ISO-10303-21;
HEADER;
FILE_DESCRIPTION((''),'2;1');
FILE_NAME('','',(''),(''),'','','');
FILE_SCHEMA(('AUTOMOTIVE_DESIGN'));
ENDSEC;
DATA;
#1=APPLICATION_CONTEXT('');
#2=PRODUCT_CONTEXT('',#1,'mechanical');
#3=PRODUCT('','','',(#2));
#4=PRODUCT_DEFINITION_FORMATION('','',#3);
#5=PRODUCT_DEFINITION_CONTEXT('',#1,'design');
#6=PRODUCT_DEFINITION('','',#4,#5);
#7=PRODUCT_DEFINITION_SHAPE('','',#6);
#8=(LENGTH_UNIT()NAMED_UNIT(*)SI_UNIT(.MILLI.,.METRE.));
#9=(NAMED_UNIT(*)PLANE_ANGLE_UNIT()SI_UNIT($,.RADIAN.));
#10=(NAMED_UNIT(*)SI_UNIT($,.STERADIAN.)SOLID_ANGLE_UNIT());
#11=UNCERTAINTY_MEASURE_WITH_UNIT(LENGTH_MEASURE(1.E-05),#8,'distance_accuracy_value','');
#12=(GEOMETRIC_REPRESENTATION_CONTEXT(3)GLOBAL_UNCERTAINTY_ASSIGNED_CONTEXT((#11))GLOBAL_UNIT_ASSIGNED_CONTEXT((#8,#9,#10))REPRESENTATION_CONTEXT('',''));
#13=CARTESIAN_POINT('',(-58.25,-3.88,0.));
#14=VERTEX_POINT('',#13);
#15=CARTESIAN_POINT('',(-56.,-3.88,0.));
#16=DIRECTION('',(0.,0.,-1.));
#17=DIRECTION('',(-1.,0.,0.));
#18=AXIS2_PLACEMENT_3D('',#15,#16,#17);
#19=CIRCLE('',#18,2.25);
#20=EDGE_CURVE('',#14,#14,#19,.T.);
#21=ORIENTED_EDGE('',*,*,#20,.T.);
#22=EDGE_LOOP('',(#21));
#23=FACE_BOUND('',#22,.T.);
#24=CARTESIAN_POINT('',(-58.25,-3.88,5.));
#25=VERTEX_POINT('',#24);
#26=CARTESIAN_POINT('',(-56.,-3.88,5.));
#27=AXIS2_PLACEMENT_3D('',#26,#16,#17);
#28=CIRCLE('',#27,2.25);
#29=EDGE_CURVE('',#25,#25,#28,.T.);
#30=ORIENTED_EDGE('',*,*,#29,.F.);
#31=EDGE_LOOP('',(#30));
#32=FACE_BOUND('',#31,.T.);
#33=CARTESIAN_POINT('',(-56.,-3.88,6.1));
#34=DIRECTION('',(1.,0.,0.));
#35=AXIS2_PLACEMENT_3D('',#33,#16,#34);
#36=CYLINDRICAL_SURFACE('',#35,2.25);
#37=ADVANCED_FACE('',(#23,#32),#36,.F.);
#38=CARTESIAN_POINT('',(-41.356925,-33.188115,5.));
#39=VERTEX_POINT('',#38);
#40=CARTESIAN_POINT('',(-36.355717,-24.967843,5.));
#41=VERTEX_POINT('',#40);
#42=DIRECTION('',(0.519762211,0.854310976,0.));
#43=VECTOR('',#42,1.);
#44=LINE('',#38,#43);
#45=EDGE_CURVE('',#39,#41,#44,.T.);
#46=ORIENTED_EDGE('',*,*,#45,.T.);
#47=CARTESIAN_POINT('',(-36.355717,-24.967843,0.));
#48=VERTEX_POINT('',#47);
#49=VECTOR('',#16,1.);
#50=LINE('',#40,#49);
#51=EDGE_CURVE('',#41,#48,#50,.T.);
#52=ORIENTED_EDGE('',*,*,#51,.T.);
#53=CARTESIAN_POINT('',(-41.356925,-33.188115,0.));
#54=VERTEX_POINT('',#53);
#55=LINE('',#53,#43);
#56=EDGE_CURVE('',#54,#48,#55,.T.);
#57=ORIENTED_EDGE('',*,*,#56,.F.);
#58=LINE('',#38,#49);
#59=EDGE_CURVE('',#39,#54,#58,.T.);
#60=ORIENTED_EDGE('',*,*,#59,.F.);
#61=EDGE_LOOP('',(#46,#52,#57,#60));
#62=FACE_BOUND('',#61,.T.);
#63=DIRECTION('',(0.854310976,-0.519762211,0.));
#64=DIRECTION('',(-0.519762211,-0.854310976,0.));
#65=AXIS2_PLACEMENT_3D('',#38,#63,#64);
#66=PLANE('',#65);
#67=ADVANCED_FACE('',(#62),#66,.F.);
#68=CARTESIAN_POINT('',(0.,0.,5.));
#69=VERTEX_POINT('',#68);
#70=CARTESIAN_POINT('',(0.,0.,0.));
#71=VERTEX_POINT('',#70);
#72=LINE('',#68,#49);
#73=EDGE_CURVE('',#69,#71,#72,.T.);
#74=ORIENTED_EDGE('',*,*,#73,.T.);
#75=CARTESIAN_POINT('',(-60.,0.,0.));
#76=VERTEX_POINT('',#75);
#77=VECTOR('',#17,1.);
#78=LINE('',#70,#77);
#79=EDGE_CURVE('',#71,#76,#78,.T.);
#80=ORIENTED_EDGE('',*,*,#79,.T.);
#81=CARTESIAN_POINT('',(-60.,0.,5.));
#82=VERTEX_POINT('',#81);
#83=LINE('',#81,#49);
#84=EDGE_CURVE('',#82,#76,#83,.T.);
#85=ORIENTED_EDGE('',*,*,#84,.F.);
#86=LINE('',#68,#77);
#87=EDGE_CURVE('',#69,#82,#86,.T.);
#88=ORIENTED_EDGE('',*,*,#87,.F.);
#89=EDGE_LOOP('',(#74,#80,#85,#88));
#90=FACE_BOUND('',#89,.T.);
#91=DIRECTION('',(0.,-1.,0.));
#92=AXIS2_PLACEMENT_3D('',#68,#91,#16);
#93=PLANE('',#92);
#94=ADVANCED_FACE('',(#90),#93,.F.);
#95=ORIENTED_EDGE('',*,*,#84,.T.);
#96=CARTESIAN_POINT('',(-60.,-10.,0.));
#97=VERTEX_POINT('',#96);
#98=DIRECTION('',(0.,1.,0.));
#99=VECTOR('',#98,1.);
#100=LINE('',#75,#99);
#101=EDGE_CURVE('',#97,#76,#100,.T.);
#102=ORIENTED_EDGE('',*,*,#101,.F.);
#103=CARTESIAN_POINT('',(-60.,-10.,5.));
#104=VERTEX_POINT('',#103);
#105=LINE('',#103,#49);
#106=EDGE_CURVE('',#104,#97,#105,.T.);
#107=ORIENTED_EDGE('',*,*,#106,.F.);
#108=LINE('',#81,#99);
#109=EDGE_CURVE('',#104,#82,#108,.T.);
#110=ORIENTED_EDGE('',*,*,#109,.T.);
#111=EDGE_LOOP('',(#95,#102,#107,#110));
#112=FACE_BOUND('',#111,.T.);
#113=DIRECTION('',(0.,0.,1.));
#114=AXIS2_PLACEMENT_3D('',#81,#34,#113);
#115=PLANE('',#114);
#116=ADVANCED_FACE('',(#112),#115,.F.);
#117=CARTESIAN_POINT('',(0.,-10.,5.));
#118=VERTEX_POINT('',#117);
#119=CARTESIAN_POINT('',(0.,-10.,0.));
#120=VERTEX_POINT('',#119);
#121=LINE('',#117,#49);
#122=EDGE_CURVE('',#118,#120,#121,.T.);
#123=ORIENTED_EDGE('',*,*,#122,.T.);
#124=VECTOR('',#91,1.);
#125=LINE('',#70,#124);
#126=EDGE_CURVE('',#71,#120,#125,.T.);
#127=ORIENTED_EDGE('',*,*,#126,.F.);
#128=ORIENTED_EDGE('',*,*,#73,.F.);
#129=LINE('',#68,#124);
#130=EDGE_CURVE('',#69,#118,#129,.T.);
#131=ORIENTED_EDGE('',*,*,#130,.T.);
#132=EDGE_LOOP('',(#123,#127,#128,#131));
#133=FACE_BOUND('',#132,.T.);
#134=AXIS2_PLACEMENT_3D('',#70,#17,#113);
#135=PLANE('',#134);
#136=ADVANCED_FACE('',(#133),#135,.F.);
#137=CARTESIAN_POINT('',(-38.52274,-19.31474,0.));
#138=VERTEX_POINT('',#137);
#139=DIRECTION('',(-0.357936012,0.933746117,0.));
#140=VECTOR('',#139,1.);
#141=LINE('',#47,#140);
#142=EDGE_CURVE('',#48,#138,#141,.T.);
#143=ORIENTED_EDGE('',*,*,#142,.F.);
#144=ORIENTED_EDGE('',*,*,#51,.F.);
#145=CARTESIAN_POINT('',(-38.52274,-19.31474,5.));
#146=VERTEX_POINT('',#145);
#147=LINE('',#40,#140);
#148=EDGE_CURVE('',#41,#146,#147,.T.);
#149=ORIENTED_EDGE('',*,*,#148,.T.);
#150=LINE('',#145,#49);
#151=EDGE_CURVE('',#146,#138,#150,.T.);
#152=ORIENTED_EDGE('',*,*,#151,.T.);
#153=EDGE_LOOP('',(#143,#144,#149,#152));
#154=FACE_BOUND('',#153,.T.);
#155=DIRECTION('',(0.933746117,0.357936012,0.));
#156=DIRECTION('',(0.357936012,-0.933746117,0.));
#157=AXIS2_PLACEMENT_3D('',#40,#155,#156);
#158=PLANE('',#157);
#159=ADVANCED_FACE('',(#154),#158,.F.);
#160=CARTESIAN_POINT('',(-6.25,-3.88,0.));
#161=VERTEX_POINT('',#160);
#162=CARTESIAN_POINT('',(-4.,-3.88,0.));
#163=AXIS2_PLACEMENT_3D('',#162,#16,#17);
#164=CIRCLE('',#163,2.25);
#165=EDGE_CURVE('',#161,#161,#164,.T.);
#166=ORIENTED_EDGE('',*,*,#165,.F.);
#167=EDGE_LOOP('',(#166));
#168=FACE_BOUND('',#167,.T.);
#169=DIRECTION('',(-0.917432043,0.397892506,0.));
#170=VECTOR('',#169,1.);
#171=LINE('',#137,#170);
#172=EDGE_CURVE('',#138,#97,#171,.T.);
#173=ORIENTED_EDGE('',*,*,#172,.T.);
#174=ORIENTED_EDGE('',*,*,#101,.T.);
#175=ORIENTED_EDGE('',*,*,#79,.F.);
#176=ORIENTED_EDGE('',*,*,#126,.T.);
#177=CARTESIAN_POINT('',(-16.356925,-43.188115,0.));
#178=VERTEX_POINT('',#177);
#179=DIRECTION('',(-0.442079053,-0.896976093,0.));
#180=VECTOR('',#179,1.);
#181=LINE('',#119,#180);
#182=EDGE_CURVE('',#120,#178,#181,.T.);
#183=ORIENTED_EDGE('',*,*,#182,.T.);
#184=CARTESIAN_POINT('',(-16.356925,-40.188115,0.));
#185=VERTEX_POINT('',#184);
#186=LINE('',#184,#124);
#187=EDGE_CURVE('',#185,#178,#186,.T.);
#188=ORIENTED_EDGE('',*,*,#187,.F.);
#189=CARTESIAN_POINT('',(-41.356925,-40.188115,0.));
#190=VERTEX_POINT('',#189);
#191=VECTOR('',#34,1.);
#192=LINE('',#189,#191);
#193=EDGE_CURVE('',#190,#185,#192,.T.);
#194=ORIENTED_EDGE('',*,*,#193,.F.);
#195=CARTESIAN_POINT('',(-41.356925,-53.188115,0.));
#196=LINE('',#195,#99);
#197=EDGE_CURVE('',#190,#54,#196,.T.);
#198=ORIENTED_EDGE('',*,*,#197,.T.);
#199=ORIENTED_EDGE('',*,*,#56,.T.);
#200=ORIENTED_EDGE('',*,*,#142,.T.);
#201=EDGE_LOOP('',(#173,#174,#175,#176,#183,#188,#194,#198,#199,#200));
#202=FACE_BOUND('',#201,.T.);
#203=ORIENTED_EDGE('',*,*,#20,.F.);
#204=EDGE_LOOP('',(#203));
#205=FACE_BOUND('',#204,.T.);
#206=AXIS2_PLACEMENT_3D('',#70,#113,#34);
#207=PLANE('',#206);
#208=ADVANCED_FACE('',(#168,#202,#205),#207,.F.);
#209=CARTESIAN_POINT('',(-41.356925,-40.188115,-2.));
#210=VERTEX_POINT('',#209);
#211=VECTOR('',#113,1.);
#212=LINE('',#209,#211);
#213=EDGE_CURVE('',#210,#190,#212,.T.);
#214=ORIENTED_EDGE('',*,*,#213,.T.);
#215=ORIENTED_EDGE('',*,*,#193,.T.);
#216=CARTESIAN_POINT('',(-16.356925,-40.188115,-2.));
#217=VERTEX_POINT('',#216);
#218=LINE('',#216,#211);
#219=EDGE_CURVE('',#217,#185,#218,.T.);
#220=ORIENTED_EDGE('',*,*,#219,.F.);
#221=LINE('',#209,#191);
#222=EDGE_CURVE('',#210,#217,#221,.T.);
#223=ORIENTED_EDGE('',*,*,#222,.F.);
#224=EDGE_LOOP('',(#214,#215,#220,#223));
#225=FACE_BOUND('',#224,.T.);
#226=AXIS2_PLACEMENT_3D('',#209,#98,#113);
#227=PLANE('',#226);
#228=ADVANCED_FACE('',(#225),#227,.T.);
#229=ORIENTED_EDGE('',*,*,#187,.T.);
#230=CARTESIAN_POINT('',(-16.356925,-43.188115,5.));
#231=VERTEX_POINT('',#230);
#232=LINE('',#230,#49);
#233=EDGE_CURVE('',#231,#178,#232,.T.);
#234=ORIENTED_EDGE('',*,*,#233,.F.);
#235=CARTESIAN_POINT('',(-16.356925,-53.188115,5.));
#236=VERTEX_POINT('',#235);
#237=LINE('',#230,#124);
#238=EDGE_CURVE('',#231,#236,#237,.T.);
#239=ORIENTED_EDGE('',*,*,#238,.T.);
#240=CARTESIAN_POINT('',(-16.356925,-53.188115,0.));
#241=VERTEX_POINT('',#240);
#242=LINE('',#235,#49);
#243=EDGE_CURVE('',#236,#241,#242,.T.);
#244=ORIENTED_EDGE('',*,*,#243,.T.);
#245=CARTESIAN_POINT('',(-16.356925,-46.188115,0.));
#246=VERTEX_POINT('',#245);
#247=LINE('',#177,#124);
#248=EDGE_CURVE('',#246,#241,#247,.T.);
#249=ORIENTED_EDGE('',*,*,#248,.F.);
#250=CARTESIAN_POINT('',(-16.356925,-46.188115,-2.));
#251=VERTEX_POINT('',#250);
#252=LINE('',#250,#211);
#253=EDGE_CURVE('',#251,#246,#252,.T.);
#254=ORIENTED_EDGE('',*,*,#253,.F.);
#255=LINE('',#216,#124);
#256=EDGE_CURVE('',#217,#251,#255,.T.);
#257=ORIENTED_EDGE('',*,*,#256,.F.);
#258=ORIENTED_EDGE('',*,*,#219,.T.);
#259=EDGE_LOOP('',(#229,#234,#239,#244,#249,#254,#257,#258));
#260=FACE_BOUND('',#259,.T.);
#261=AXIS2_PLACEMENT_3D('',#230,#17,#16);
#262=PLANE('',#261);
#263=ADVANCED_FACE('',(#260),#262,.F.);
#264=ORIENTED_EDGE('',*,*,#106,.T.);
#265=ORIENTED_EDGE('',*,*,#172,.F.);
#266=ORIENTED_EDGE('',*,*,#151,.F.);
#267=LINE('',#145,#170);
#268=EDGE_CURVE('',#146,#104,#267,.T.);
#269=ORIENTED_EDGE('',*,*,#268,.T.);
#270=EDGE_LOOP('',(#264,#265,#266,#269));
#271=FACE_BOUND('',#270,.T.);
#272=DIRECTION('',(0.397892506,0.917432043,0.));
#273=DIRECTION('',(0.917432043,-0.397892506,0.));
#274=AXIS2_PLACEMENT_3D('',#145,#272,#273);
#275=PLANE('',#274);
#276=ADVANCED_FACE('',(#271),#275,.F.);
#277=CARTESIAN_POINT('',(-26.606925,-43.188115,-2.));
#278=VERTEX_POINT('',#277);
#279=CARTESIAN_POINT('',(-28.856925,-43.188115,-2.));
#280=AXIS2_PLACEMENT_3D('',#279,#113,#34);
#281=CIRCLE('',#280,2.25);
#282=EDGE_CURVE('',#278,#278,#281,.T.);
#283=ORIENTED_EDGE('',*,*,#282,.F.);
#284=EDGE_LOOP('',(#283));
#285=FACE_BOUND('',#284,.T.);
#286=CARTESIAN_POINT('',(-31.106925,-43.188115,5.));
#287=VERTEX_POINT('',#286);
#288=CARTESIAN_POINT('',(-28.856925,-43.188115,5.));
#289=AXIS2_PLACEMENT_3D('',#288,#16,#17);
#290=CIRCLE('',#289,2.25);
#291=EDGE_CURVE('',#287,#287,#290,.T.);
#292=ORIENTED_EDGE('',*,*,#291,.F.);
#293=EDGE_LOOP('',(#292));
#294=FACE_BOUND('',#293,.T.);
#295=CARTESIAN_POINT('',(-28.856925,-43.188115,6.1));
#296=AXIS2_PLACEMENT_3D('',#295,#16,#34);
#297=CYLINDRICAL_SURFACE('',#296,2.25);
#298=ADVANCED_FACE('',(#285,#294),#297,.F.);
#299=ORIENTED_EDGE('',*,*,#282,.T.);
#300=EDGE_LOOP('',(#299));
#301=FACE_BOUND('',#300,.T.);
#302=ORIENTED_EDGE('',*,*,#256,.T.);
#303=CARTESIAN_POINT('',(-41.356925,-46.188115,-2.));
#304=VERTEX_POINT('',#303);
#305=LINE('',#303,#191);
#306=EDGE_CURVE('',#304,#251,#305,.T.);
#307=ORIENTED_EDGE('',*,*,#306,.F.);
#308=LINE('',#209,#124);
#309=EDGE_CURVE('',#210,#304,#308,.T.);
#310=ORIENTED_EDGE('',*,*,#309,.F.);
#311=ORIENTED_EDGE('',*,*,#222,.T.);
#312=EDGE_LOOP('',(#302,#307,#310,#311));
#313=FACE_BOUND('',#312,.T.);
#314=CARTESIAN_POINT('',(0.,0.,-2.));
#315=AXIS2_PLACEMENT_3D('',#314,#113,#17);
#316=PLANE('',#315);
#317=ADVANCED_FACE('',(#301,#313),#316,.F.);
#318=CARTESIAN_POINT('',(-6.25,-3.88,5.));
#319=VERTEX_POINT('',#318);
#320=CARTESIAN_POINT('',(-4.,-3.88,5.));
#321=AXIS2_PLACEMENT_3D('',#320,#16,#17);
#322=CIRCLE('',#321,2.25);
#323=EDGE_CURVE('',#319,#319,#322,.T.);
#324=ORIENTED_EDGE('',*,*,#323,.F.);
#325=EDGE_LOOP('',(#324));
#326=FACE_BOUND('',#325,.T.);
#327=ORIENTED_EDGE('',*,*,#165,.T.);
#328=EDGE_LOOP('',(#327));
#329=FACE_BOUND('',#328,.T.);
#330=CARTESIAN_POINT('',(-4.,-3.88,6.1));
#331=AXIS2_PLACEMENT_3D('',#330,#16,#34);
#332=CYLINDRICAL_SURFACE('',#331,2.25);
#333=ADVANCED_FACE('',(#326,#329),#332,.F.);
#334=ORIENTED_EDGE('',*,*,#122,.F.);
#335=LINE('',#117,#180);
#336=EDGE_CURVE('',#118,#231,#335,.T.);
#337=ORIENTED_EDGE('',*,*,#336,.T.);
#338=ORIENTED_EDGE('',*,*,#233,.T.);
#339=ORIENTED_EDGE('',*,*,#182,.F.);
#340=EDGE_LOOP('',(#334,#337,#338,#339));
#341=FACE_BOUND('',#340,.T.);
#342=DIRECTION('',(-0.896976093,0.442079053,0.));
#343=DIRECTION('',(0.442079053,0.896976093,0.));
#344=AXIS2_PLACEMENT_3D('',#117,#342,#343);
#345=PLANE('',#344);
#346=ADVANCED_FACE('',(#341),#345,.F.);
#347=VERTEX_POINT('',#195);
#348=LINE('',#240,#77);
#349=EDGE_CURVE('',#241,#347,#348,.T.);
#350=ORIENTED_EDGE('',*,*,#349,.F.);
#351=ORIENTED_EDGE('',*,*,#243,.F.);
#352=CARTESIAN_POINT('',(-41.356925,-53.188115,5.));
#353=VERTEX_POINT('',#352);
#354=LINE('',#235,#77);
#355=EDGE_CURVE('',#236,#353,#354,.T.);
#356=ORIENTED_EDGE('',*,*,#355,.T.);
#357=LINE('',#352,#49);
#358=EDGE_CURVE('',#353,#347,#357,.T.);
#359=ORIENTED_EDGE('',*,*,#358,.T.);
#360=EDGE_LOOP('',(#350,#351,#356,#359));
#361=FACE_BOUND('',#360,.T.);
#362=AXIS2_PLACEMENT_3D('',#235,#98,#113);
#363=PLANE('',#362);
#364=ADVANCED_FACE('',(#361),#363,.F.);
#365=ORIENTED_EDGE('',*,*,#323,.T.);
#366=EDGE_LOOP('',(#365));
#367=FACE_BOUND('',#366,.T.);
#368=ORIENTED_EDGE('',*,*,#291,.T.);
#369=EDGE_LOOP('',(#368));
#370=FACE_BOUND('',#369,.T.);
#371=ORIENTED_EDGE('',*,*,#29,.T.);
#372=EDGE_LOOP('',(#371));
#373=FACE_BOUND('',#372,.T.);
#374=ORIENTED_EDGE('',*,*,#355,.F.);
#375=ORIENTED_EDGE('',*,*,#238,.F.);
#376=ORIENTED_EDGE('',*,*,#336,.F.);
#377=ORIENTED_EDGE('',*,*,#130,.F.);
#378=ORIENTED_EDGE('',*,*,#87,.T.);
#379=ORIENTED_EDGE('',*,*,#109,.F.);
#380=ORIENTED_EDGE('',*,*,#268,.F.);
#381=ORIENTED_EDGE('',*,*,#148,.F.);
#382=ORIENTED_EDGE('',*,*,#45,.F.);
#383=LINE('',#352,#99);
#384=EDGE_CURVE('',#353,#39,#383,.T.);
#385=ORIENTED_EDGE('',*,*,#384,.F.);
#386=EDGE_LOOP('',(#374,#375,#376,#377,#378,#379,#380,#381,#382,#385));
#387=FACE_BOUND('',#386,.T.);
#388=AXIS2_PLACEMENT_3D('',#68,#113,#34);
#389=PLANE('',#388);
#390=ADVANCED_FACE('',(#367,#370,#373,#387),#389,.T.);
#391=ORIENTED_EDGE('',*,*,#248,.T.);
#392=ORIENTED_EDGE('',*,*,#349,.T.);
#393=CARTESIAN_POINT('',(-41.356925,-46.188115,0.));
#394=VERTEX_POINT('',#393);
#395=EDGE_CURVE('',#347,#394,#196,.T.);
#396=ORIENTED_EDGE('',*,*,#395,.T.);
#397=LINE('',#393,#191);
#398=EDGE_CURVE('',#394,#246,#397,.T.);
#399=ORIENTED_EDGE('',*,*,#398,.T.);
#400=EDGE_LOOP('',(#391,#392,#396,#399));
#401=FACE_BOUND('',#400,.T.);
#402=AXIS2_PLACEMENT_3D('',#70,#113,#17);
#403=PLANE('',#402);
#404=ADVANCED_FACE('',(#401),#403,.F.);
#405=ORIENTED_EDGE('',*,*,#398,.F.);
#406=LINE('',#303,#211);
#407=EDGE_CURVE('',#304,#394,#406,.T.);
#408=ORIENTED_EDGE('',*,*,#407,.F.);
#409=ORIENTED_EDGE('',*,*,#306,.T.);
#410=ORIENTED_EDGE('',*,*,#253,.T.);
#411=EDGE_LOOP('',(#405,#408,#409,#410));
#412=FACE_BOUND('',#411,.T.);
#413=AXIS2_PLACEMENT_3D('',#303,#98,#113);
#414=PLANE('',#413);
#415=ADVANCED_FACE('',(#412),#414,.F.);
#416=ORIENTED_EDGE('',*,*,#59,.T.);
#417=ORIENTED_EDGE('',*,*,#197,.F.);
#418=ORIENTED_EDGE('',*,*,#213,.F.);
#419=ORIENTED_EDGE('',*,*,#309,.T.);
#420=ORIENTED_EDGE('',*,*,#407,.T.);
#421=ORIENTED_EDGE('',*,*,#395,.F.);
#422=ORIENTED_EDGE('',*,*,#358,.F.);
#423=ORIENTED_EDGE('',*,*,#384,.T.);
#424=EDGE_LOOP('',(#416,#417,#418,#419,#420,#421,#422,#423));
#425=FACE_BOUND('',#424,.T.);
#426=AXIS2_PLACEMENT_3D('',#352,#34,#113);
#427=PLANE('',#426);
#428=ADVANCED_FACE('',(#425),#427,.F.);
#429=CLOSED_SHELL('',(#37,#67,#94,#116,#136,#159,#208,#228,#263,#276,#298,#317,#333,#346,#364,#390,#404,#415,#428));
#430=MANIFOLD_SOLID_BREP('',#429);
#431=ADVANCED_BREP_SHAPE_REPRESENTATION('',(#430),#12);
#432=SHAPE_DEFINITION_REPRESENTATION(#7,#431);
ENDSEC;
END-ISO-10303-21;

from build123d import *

# Parameters (mm, degrees)
BOSS_EXTRU_1_DEPTH      = 5
ESQUISSE2_W             = 25
ESQUISSE2_H             = 6
BOSS_EXTRU_2_DEPTH      = 2
ESQUISSE3_R             = 2.25
ENL_V_MAT_EXTRU_3_DEPTH = 8.1


with BuildPart() as part:
    # Esquisse1 → Boss.-Extru.1 (new body)
    with BuildSketch(Plane.XY):
        Polygon((0, 0), (60, 0), (60, -10), (38.522739923, -19.314739888), (36.355716988, -24.967843196), (41.356924968, -33.188115427), (41.356924968, -53.188115427), (16.356924968, -53.188115427), (16.356924968, -43.188115427), (0, -10), align=None)
    extrude(amount=BOSS_EXTRU_1_DEPTH)

    # Esquisse2 → Boss.-Extru.2 (add)
    with BuildSketch(Plane(origin=(0, 0, 0), x_dir=(-1, 0, 0), z_dir=(0, 0, -1))):
        with Locations((-28.856924968, -43.188115427)):
            Rectangle(ESQUISSE2_W, ESQUISSE2_H)
    extrude(amount=BOSS_EXTRU_2_DEPTH)

    # Esquisse3 → Enlèv. mat.-Extru.3 (cut)
    with BuildSketch(Plane(origin=(0, 0, -2), x_dir=(-1, 0, 0), z_dir=(0, 0, -1))):
        with Locations((-28.856924968, -43.188115427)):
            Circle(ESQUISSE3_R)
        with Locations(Location((-56, -3.88, 0), (0, 0, 180))):
            Circle(ESQUISSE3_R)
        with Locations(Location((-4, -3.88, 0), (0, 0, 180))):
            Circle(ESQUISSE3_R)
    extrude(amount=-ENL_V_MAT_EXTRU_3_DEPTH, mode=Mode.SUBTRACT)

    # Symétrie1: part across plane


with BuildPart() as part_1:
    add(part.part)
    add(part.part.mirror(Plane(origin=(0, 0, 5), x_dir=(0, 0, 1), z_dir=(1, 0, 0))))

    # Fractionner1
    split(bisect_by=Plane(origin=(0, 0, 0), x_dir=(0, 0, -1), z_dir=(-1, 0, 0)), keep=Keep.TOP)


solid = part_1.part
